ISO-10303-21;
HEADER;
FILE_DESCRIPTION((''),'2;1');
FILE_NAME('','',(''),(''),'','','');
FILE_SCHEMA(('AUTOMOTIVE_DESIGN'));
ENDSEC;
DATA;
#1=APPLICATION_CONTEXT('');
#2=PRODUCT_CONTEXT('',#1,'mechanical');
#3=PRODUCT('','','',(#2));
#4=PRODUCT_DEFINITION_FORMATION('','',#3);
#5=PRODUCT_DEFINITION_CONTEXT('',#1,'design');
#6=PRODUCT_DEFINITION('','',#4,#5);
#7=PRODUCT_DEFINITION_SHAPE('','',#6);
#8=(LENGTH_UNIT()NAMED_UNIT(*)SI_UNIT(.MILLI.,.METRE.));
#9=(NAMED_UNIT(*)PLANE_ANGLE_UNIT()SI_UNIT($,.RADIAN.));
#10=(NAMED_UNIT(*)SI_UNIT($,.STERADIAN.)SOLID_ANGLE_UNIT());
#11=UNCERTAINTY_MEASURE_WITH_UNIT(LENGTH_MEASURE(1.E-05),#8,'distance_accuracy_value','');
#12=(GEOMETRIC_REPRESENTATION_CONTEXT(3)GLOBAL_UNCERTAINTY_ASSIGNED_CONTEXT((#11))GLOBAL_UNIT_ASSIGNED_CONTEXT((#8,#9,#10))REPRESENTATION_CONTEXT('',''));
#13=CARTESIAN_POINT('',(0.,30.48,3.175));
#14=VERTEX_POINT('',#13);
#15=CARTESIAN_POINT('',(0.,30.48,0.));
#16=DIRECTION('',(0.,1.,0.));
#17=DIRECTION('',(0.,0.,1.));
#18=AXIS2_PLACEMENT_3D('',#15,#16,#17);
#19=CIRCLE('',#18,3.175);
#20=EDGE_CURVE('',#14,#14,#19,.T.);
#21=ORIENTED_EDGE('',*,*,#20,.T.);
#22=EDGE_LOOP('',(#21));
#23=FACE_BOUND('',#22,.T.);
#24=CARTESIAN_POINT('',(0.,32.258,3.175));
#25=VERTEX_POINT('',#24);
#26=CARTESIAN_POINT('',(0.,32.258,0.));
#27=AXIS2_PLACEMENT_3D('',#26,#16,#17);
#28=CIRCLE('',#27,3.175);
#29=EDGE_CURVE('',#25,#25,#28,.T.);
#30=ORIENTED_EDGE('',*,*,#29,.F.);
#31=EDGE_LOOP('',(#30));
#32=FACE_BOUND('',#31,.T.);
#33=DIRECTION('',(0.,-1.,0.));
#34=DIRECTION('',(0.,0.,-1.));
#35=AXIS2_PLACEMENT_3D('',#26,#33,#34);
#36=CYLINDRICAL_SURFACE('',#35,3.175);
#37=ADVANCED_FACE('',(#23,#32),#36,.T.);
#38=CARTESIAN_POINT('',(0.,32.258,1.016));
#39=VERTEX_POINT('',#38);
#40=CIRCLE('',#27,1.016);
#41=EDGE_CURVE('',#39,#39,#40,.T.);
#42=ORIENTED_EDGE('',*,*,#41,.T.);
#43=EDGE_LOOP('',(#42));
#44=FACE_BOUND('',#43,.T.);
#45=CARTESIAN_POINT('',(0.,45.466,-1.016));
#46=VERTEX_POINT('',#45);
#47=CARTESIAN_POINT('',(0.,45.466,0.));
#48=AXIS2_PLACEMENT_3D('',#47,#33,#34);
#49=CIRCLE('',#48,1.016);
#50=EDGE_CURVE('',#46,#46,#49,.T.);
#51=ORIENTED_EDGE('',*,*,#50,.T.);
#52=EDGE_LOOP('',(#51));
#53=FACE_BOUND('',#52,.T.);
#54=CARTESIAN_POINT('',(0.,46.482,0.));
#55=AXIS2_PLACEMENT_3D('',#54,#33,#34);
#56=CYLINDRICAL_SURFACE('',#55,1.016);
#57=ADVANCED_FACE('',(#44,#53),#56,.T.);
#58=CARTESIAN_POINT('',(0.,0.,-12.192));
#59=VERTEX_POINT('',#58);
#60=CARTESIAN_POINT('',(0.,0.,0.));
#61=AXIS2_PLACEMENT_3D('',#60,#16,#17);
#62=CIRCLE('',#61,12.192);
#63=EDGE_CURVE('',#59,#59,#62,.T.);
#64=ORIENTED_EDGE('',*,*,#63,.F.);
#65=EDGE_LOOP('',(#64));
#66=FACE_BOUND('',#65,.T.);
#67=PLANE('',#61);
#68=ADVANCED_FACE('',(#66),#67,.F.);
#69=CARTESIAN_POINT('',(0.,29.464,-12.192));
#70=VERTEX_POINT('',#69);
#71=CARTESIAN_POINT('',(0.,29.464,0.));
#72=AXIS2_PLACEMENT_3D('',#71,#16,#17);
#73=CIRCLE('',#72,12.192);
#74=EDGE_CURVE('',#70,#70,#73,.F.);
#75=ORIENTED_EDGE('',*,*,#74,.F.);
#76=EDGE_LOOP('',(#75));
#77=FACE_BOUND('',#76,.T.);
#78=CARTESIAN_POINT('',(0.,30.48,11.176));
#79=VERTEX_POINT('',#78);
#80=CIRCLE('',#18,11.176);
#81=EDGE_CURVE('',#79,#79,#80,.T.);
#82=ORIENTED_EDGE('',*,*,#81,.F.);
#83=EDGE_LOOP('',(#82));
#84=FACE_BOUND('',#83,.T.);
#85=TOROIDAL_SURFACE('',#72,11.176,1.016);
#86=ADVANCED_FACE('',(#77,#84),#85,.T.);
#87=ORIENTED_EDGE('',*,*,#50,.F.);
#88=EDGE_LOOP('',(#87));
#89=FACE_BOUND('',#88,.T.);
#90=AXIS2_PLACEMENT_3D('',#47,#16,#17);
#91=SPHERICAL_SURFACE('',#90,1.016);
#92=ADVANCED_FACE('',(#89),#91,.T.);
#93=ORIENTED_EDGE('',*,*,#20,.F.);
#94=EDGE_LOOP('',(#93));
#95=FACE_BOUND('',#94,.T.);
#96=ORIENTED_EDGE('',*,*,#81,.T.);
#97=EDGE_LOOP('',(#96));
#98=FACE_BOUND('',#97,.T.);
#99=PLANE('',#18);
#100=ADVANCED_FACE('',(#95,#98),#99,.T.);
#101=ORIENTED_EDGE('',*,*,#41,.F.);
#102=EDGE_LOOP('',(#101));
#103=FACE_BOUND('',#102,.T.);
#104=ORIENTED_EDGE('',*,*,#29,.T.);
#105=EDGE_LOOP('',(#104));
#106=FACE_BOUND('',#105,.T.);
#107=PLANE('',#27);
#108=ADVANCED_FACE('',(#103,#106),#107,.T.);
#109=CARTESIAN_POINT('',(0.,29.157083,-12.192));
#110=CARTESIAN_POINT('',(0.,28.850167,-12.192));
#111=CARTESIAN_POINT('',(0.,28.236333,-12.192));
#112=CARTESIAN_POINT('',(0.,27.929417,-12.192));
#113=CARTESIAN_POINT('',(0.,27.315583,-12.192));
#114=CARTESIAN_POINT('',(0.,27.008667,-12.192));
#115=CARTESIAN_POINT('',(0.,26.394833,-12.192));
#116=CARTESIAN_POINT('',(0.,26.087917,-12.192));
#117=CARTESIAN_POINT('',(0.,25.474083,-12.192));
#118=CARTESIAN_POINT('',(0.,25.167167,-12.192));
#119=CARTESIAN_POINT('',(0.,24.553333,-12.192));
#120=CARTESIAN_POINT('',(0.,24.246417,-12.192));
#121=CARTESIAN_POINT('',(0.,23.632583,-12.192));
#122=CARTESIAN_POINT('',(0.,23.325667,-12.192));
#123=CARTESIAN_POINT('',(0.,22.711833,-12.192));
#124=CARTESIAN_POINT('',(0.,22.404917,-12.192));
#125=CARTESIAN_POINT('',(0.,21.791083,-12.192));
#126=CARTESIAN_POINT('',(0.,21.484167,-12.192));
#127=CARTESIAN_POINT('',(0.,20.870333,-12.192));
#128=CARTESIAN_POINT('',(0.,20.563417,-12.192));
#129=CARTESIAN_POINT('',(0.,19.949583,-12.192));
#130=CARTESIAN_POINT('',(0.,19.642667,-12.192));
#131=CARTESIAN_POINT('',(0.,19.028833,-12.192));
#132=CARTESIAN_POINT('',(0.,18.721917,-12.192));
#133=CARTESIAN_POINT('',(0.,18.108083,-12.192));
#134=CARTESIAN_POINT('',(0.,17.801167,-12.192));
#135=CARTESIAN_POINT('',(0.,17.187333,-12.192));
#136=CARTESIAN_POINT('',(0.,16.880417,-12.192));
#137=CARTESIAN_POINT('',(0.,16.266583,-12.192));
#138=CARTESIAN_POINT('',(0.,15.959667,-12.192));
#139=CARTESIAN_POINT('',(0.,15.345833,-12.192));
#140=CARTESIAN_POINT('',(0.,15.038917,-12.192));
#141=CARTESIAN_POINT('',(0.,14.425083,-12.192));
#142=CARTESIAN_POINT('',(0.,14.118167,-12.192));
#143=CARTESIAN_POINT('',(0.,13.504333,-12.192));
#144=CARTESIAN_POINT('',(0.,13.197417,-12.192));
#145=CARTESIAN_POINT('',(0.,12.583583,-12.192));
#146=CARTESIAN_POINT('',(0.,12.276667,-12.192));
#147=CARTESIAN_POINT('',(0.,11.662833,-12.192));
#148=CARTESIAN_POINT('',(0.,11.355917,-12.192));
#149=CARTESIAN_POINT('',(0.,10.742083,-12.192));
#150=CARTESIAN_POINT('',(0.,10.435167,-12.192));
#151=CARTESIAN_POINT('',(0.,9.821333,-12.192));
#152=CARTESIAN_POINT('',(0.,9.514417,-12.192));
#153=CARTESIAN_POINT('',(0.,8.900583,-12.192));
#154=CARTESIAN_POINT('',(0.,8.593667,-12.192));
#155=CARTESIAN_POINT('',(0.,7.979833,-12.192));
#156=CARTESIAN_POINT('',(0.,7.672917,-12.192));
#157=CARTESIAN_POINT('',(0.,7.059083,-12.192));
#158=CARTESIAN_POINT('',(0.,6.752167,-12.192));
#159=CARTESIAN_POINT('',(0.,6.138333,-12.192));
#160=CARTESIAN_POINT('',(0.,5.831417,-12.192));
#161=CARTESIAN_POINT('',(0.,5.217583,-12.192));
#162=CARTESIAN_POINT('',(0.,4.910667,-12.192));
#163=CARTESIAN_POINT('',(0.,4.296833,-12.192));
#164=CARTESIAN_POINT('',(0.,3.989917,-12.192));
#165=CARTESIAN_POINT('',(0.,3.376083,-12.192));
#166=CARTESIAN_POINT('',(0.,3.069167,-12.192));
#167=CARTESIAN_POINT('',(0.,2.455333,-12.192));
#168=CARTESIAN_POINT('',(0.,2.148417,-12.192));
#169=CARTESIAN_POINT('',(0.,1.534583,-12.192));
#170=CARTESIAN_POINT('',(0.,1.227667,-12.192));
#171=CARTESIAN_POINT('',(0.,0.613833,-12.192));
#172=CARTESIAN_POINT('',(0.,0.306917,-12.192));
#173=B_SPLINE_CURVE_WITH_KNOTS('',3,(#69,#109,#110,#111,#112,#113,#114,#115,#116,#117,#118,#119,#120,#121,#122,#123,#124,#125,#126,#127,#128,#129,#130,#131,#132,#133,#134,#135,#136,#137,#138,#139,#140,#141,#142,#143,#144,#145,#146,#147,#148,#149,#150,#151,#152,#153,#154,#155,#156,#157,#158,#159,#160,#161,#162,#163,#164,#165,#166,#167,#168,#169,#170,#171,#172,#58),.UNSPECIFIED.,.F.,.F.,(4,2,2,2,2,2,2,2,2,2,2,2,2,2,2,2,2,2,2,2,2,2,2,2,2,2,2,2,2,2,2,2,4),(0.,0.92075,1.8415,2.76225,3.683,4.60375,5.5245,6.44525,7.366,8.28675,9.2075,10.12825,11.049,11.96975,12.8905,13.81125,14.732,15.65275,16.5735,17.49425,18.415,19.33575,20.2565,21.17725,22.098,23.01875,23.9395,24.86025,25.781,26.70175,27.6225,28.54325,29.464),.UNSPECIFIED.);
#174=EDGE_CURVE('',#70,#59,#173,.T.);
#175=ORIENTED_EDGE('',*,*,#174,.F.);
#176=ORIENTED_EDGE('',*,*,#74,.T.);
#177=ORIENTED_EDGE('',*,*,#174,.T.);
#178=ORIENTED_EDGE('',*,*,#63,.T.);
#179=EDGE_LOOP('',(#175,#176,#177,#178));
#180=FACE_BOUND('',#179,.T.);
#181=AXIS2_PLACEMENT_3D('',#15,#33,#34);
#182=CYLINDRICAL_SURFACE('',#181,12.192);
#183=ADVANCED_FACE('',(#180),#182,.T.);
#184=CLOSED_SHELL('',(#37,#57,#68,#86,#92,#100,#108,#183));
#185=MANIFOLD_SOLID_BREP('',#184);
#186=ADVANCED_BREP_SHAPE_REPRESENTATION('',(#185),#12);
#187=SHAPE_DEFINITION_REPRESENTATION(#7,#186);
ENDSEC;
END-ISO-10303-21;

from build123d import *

# Parameters (mm, degrees)
SKETCH1_R           = 12.192
BOSS_EXTRUDE1_DEPTH = 30.48
SKETCH2_R           = 3.175
BOSS_EXTRUDE2_DEPTH = 1.778
SKETCH3_R           = 1.016
BOSS_EXTRUDE3_DEPTH = 14.224
FILLET1_R           = 1.016
FILLET2_R           = 1.016


with BuildPart() as part:
    # Sketch1 → Boss-Extrude1 (new body)
    with BuildSketch(Plane(origin=(0, 0, 0), x_dir=(1, 0, 0), z_dir=(0, 1, 0))):
        with Locations(Location((0, 0, 0), (0, 0, 90))):
            Circle(SKETCH1_R)
    extrude(amount=BOSS_EXTRUDE1_DEPTH)

    # Sketch2 → Boss-Extrude2 (add)
    with BuildSketch(Plane(origin=(0, 30.48, 0), x_dir=(1, 0, 0), z_dir=(0, 1, 0))):
        with Locations(Location((0, 0, 0), (0, 0, 270))):
            Circle(SKETCH2_R)
    extrude(amount=BOSS_EXTRUDE2_DEPTH)

    # Sketch3 → Boss-Extrude3 (add)
    with BuildSketch(Plane(origin=(0, 32.258, 0), x_dir=(1, 0, 0), z_dir=(0, 1, 0))):
        with Locations(Location((0, 0, 0), (0, 0, 270))):
            Circle(SKETCH3_R)
    extrude(amount=BOSS_EXTRUDE3_DEPTH)

    # Fillet1
    fillet1_edges = [part.edges().sort_by_distance(p)[0] for p in [
        (0, 46.482, -1.016),
    ]]
    fillet(fillet1_edges, radius=FILLET1_R)

    # Fillet2
    fillet2_edges = [part.edges().sort_by_distance(p)[0] for p in [
        (0, 30.48, 12.192),
    ]]
    fillet(fillet2_edges, radius=FILLET2_R)


solid = part.part
